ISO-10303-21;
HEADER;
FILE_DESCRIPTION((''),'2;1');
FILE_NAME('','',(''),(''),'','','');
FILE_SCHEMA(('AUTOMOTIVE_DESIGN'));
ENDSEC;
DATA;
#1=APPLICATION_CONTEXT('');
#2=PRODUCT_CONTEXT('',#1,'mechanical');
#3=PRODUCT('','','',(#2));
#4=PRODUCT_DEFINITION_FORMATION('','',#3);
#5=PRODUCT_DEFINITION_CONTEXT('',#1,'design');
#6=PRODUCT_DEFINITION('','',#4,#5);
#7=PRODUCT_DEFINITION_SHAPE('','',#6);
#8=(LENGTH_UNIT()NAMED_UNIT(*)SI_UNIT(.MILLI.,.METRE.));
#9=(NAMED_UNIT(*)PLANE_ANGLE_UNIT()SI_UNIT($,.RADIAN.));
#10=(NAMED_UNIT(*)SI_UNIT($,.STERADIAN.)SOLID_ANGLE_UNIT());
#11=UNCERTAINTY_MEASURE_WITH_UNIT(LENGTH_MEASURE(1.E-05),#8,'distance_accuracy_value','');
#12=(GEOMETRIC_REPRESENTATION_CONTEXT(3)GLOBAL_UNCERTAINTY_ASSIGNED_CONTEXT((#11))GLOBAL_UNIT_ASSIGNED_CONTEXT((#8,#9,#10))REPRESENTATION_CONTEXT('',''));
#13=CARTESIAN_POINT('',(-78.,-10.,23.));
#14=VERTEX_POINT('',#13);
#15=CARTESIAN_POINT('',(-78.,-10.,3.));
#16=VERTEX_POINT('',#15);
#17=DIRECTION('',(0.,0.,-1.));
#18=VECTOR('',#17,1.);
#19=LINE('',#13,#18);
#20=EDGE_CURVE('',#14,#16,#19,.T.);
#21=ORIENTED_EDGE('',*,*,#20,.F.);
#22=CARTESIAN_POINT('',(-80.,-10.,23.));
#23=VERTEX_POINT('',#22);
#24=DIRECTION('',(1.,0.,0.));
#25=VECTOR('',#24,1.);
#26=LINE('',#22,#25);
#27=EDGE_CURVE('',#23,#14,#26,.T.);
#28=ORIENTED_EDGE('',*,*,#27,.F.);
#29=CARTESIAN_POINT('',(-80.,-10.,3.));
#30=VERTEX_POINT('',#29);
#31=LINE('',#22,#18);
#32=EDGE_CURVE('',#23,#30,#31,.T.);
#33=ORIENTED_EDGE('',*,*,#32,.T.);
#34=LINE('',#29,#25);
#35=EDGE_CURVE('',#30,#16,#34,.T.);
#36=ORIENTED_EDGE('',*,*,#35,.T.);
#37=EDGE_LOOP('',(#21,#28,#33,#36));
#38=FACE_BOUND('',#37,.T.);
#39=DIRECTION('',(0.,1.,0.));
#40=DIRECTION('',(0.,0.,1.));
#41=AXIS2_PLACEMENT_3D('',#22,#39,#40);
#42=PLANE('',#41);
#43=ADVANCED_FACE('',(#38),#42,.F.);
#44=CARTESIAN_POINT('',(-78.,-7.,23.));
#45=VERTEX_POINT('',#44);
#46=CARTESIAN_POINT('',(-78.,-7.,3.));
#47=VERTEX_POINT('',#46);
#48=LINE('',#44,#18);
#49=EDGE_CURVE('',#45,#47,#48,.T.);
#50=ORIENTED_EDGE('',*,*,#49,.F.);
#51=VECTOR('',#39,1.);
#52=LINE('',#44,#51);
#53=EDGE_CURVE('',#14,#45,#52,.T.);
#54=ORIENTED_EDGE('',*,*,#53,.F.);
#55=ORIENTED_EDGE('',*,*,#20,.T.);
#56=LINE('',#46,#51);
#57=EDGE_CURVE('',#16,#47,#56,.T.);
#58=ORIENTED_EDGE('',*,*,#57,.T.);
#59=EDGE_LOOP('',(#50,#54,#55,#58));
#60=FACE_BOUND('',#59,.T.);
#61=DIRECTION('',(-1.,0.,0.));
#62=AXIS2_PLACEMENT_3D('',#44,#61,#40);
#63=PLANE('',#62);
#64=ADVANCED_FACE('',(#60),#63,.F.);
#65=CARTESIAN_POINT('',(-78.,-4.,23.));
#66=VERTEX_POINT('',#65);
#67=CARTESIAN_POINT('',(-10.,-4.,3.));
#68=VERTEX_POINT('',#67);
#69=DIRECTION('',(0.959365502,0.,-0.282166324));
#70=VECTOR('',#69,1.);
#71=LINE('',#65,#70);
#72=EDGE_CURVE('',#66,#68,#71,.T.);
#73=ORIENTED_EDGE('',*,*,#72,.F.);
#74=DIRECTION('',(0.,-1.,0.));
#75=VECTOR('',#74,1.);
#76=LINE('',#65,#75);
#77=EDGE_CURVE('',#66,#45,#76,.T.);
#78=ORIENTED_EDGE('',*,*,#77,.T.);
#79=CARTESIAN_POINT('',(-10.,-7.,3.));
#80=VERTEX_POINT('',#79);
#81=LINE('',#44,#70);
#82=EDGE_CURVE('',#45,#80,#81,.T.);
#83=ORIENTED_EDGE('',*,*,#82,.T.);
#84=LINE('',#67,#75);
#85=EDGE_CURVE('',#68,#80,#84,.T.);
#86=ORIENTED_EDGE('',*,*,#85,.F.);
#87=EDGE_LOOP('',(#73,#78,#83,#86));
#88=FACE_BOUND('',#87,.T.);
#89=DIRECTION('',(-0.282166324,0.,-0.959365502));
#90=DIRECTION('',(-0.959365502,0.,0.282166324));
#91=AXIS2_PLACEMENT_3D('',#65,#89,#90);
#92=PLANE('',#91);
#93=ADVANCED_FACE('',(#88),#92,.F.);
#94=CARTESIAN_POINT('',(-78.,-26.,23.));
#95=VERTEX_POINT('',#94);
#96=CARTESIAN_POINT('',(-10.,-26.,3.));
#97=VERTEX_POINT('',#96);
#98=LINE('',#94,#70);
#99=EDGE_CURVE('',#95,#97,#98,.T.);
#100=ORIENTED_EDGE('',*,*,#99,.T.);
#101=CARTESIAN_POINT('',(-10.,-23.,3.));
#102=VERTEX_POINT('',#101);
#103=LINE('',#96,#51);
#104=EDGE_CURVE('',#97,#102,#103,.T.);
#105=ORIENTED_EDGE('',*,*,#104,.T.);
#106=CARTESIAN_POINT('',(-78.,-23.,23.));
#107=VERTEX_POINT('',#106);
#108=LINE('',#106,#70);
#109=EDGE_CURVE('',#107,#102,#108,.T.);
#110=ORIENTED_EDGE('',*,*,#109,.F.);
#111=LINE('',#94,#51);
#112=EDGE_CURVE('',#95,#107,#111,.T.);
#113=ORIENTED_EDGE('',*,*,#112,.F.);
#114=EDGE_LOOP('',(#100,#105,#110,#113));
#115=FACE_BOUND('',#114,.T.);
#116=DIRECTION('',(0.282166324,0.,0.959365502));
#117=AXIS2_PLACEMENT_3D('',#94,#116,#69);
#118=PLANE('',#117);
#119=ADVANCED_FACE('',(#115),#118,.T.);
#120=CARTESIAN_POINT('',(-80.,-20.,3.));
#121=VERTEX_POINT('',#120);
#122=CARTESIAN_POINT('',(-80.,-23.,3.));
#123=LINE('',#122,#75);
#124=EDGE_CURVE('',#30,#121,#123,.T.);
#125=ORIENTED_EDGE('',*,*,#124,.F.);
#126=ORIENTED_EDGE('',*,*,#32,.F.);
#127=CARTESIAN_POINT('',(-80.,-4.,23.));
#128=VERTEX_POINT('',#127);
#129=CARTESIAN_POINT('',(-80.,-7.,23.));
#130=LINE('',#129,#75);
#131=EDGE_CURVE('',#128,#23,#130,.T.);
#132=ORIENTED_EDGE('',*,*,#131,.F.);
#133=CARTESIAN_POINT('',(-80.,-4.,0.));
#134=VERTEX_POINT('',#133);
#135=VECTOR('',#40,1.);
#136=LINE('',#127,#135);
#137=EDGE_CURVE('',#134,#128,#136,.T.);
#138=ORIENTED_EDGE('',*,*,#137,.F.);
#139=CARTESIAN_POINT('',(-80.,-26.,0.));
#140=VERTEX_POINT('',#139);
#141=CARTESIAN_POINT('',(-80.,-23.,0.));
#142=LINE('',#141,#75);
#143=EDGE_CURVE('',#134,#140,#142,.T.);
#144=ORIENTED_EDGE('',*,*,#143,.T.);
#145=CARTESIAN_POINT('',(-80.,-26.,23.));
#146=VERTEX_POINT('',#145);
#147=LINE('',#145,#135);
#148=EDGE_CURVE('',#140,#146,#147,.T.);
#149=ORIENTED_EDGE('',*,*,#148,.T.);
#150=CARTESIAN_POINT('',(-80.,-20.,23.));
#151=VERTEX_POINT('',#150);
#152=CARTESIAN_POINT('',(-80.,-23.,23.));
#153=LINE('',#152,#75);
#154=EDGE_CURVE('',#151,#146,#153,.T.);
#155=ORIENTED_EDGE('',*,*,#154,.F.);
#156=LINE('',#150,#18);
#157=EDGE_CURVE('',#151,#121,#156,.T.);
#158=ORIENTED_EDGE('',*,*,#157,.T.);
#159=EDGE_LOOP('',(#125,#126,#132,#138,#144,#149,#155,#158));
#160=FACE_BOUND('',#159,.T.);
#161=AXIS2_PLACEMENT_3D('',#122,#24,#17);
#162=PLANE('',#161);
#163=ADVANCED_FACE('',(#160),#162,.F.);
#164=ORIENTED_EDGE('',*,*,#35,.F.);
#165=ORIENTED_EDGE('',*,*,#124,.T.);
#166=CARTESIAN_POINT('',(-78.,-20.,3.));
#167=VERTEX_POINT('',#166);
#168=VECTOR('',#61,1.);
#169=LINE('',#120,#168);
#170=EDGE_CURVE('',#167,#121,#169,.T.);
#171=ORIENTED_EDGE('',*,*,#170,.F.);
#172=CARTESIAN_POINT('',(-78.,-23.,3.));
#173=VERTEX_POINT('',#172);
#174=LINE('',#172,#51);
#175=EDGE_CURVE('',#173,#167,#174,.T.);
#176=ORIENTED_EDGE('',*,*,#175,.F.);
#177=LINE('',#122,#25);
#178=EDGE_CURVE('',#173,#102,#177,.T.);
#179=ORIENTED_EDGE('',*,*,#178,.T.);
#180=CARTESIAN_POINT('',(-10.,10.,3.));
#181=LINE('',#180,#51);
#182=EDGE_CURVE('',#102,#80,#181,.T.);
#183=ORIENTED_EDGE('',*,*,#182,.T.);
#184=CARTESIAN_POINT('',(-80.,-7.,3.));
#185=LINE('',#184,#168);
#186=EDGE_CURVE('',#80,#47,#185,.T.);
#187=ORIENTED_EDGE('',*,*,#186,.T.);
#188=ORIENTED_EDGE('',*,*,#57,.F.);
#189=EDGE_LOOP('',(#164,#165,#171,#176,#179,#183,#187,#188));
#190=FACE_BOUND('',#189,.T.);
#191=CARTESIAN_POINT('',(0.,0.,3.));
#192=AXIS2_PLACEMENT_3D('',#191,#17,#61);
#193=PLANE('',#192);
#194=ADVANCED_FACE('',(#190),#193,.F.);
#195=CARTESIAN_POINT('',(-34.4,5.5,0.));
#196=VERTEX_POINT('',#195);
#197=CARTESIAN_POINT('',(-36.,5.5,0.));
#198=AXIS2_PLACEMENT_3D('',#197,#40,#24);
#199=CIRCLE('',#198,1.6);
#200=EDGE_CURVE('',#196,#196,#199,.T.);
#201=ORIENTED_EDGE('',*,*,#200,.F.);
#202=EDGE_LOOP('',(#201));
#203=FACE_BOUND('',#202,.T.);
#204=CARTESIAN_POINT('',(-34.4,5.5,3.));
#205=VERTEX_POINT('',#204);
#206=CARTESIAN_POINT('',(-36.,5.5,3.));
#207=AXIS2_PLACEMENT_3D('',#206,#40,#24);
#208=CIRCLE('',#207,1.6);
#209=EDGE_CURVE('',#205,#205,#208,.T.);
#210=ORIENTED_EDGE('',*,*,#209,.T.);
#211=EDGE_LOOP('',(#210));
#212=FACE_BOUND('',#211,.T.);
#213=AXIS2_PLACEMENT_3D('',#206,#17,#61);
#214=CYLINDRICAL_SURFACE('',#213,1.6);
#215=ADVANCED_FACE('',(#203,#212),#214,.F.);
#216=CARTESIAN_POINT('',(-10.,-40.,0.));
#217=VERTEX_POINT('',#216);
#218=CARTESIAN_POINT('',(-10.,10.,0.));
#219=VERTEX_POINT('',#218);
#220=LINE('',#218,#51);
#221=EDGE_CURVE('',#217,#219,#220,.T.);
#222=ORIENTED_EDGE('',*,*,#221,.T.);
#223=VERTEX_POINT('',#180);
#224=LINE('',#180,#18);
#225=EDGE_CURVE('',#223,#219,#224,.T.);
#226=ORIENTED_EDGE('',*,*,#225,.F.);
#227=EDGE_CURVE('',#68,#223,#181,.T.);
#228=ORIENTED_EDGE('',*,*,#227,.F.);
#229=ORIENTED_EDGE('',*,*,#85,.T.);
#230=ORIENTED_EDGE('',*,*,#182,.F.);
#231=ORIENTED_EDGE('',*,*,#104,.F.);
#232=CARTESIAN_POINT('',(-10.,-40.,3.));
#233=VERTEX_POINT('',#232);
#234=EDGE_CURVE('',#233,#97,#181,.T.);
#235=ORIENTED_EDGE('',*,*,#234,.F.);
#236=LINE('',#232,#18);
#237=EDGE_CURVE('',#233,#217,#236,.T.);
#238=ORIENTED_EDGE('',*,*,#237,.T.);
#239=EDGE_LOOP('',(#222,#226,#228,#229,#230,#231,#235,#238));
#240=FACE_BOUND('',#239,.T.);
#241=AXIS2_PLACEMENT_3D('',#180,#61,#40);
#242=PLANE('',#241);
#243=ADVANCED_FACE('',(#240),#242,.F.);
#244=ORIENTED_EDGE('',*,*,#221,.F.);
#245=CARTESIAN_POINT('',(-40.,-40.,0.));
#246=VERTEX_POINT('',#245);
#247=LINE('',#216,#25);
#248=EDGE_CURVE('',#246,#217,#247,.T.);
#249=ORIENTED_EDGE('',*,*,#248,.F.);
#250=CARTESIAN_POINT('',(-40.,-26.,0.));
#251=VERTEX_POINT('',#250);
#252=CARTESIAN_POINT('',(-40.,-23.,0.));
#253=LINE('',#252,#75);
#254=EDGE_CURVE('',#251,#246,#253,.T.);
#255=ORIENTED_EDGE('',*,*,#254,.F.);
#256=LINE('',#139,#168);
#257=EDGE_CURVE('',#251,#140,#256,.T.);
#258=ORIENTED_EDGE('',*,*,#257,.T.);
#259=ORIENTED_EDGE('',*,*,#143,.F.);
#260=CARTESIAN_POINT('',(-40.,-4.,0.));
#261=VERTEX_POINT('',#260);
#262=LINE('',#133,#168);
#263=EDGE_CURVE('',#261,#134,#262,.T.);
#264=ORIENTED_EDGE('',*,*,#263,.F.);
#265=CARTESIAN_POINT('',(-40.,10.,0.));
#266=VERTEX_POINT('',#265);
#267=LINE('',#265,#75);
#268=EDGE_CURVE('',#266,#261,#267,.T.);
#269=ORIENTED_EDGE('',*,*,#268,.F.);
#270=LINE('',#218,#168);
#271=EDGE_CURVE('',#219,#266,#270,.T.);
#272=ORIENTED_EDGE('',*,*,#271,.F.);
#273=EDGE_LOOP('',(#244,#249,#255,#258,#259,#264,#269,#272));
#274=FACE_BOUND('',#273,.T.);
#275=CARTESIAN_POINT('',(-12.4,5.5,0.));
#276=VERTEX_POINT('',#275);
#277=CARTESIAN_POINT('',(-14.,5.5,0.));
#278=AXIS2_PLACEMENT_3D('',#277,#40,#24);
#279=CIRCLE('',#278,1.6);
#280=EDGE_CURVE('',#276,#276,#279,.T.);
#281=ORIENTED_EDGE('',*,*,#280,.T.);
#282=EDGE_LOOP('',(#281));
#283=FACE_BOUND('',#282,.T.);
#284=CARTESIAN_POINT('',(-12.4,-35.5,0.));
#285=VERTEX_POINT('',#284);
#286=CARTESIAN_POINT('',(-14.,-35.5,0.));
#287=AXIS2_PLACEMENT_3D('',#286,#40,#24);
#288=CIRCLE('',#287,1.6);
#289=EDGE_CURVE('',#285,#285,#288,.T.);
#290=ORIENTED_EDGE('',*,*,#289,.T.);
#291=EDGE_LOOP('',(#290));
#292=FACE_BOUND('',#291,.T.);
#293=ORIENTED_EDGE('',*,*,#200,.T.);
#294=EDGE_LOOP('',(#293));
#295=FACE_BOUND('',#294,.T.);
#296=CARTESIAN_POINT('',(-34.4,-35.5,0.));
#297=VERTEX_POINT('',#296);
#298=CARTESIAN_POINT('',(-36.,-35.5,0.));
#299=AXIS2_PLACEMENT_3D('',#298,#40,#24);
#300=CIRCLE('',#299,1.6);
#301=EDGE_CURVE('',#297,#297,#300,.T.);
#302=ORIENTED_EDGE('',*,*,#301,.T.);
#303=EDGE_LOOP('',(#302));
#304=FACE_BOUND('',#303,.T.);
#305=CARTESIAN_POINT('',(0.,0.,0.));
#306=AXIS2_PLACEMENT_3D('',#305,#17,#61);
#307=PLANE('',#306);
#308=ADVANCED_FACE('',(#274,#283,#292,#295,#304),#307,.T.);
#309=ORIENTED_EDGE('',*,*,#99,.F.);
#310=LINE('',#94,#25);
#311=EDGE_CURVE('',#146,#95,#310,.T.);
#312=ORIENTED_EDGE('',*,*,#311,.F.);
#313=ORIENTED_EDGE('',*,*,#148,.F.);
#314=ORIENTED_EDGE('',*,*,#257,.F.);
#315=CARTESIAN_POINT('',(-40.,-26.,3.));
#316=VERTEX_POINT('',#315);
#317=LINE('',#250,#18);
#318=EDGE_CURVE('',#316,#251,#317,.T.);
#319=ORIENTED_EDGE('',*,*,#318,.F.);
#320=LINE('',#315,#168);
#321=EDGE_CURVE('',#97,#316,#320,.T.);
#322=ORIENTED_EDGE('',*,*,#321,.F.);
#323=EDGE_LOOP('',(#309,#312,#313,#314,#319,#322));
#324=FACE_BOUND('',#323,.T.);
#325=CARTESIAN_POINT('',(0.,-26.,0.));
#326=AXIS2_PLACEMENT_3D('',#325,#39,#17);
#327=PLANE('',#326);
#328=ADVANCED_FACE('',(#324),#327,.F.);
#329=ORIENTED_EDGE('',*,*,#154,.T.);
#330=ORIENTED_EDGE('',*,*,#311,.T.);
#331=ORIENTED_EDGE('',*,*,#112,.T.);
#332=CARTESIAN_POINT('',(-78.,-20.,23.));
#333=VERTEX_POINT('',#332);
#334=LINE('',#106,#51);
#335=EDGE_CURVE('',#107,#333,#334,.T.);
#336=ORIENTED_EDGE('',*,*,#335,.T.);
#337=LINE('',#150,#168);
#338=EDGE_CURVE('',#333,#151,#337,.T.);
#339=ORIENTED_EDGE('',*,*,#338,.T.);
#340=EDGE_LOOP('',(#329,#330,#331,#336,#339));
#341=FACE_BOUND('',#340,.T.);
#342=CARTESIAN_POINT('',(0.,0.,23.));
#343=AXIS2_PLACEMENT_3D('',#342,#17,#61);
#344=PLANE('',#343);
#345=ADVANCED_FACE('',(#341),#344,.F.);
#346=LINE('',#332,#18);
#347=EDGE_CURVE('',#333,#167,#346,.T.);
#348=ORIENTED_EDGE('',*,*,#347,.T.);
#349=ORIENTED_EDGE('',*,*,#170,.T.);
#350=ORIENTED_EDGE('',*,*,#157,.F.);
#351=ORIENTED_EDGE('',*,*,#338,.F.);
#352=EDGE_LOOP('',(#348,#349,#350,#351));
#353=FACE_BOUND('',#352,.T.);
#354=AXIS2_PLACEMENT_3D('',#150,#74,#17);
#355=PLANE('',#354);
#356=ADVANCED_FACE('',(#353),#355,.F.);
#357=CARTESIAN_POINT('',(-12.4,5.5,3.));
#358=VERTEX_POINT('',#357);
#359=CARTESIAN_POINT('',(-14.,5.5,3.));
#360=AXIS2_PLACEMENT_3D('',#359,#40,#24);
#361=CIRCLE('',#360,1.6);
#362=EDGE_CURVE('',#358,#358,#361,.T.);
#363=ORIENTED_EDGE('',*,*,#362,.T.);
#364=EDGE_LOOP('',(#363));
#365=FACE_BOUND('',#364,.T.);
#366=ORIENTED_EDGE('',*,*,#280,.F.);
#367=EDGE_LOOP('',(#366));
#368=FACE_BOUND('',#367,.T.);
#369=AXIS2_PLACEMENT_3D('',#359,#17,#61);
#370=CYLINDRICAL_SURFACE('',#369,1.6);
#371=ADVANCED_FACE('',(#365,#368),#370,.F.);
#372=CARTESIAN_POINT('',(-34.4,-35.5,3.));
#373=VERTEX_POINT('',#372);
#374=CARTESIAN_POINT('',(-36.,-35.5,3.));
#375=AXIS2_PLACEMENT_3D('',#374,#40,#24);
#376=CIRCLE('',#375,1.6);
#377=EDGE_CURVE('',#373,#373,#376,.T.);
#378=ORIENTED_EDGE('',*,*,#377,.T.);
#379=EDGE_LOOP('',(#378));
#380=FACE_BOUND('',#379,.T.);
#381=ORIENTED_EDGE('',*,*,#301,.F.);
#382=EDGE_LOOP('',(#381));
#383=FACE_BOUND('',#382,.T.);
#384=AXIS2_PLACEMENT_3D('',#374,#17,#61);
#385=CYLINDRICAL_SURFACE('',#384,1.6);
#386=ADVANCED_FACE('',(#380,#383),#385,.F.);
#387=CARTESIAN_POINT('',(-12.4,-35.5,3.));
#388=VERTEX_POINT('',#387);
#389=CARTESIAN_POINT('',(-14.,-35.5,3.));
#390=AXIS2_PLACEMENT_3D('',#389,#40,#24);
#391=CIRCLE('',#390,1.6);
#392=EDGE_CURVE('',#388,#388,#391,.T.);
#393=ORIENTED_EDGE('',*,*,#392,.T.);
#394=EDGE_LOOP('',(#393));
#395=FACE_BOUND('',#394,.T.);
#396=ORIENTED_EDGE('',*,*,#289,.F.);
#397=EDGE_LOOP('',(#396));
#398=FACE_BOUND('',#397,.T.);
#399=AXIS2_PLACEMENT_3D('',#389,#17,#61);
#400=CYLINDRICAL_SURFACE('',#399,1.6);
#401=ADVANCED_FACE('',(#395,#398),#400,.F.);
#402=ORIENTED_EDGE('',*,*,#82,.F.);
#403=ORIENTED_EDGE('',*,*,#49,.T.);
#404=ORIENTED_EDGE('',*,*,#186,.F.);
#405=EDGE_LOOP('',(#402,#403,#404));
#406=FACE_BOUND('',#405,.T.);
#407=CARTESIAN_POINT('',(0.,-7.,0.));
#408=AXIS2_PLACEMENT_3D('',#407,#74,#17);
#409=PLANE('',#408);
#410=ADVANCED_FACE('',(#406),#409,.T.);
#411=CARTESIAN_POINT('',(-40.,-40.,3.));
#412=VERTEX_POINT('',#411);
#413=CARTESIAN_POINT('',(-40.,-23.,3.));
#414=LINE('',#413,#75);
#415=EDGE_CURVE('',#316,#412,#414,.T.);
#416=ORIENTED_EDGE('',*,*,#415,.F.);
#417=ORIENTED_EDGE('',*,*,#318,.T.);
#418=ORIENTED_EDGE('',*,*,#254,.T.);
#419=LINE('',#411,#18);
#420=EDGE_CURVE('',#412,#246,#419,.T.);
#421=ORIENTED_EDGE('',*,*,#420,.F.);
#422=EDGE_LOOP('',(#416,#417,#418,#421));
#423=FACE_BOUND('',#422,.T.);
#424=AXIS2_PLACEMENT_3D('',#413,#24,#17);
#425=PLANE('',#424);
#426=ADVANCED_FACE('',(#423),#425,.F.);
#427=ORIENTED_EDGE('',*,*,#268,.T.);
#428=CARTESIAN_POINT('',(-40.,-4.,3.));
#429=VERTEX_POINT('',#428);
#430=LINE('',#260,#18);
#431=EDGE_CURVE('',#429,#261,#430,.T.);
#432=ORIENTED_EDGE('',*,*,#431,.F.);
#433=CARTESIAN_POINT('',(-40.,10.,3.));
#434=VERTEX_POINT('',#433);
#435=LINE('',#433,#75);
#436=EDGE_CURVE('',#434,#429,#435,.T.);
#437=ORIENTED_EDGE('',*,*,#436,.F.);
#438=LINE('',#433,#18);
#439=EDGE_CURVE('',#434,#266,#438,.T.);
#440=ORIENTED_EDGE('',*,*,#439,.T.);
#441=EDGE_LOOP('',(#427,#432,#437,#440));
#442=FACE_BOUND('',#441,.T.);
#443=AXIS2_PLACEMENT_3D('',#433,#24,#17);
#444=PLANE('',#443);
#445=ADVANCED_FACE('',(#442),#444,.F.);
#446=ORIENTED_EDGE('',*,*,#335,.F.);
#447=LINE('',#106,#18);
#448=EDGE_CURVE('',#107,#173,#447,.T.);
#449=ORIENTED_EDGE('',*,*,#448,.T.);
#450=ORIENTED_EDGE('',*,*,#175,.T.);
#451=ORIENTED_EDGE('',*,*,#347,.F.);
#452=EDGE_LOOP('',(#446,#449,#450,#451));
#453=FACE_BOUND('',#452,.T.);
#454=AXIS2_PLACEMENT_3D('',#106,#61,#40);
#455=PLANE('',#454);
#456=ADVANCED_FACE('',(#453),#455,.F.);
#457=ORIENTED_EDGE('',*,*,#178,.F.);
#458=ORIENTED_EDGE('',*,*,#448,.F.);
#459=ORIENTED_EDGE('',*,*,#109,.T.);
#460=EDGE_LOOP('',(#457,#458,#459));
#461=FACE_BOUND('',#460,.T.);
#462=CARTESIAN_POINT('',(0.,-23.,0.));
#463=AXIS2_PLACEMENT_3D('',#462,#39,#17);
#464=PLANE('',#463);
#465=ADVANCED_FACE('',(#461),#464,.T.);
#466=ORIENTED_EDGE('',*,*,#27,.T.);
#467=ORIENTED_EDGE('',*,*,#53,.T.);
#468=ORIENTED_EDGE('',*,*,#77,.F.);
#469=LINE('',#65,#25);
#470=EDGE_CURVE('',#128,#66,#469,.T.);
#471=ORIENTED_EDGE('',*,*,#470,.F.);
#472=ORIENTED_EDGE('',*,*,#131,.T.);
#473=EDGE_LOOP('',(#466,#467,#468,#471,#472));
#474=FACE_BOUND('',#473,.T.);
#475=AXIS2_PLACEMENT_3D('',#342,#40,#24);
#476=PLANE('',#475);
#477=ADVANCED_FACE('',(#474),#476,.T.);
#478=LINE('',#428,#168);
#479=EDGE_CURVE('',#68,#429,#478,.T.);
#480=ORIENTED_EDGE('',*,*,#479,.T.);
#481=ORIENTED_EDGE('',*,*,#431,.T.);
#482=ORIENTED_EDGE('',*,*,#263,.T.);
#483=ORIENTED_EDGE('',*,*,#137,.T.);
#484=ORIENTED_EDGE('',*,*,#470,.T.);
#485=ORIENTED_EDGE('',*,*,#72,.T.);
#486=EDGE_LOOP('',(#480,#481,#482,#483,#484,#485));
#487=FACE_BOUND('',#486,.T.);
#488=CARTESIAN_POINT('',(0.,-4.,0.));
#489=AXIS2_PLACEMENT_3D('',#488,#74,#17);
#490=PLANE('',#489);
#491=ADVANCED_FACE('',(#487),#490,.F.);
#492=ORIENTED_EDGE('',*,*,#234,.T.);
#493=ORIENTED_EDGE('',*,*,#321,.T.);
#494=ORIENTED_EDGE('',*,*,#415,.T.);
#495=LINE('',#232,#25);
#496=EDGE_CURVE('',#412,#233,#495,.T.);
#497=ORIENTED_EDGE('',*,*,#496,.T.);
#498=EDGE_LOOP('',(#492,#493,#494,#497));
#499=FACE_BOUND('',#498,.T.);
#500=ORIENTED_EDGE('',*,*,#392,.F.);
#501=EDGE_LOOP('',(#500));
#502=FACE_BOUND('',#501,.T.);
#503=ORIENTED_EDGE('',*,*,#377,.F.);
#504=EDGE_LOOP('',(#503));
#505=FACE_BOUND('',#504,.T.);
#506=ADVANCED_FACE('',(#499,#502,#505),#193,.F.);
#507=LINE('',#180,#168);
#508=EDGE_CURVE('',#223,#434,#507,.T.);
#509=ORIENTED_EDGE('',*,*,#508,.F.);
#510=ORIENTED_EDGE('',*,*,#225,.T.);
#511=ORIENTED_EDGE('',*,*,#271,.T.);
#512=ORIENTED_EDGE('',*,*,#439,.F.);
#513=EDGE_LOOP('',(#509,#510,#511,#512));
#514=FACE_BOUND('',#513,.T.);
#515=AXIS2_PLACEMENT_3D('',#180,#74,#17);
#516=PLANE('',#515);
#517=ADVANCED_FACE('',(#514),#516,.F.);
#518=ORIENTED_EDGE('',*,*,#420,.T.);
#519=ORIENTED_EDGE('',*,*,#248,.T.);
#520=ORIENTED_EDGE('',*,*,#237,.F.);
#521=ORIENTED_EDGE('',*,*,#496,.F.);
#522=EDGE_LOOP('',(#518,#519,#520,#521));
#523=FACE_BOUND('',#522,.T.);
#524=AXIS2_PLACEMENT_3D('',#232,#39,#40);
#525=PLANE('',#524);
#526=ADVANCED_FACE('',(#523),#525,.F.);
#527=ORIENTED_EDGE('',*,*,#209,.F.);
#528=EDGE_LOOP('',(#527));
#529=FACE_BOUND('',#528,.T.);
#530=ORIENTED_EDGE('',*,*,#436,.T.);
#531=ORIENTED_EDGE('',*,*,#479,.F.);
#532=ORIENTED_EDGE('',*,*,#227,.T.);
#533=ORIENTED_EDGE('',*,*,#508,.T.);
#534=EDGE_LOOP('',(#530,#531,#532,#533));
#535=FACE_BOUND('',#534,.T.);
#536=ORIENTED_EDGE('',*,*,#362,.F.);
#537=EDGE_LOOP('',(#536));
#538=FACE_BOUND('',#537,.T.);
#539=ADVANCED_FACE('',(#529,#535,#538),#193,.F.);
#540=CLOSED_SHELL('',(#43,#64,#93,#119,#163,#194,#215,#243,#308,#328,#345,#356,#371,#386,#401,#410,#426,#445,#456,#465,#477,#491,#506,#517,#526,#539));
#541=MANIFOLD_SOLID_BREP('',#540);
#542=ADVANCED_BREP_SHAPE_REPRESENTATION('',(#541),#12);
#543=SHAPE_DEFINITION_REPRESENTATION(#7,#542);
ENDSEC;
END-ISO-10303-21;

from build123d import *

# Parameters (mm, degrees)
SKETCH_1_R      = 1.6
EXTRUDE_1_DEPTH = 3
SKETCH_5_W      = 2
SKETCH_5_H      = 3
EXTRUDE_3_DEPTH = 20
EXTRUDE_4_DEPTH = 3


with BuildPart() as part:
    # 草图1 → 凸台-拉伸1 (new body)
    with BuildSketch(Plane.XY):
        Polygon((-10, 10), (-40, 10), (-40, -7), (-80, -7), (-80, -23), (-40, -23), (-40, -40), (-10, -40), align=None)
        with Locations((-14, -35.5)):
            Circle(SKETCH_1_R, mode=Mode.SUBTRACT)
        with Locations((-36, 5.5)):
            Circle(SKETCH_1_R, mode=Mode.SUBTRACT)
        with Locations((-36, -35.5)):
            Circle(SKETCH_1_R, mode=Mode.SUBTRACT)
        with Locations((-14, 5.5)):
            Circle(SKETCH_1_R, mode=Mode.SUBTRACT)
    extrude(amount=EXTRUDE_1_DEPTH)

    # 草图5 → 凸台-拉伸3 (add)
    with BuildSketch(Plane.XY.offset(3)):
        with Locations((-79, -21.5)):
            Rectangle(SKETCH_5_W, SKETCH_5_H)
        with Locations((-79, -8.5)):
            Rectangle(SKETCH_5_W, SKETCH_5_H)
    extrude(amount=EXTRUDE_3_DEPTH)

    # 草图7 → 凸台-拉伸4 (add)
    with BuildSketch(Plane(origin=(0, -7, 0), x_dir=(1, 0, 0), z_dir=(0, 1, 0))):
        Polygon((-78, -23), (-10, -3), (-40, -3), (-40, 0), (-80, 0), (-80, -23), align=None)
    extrude_4 = extrude(amount=EXTRUDE_4_DEPTH)

    # 镜向1: 凸台-拉伸4 across plane
    add(extrude_4.mirror(Plane(origin=(0, -15, 0), x_dir=(0, 0, 1), z_dir=(0, -1, 0))))


solid = part.part
